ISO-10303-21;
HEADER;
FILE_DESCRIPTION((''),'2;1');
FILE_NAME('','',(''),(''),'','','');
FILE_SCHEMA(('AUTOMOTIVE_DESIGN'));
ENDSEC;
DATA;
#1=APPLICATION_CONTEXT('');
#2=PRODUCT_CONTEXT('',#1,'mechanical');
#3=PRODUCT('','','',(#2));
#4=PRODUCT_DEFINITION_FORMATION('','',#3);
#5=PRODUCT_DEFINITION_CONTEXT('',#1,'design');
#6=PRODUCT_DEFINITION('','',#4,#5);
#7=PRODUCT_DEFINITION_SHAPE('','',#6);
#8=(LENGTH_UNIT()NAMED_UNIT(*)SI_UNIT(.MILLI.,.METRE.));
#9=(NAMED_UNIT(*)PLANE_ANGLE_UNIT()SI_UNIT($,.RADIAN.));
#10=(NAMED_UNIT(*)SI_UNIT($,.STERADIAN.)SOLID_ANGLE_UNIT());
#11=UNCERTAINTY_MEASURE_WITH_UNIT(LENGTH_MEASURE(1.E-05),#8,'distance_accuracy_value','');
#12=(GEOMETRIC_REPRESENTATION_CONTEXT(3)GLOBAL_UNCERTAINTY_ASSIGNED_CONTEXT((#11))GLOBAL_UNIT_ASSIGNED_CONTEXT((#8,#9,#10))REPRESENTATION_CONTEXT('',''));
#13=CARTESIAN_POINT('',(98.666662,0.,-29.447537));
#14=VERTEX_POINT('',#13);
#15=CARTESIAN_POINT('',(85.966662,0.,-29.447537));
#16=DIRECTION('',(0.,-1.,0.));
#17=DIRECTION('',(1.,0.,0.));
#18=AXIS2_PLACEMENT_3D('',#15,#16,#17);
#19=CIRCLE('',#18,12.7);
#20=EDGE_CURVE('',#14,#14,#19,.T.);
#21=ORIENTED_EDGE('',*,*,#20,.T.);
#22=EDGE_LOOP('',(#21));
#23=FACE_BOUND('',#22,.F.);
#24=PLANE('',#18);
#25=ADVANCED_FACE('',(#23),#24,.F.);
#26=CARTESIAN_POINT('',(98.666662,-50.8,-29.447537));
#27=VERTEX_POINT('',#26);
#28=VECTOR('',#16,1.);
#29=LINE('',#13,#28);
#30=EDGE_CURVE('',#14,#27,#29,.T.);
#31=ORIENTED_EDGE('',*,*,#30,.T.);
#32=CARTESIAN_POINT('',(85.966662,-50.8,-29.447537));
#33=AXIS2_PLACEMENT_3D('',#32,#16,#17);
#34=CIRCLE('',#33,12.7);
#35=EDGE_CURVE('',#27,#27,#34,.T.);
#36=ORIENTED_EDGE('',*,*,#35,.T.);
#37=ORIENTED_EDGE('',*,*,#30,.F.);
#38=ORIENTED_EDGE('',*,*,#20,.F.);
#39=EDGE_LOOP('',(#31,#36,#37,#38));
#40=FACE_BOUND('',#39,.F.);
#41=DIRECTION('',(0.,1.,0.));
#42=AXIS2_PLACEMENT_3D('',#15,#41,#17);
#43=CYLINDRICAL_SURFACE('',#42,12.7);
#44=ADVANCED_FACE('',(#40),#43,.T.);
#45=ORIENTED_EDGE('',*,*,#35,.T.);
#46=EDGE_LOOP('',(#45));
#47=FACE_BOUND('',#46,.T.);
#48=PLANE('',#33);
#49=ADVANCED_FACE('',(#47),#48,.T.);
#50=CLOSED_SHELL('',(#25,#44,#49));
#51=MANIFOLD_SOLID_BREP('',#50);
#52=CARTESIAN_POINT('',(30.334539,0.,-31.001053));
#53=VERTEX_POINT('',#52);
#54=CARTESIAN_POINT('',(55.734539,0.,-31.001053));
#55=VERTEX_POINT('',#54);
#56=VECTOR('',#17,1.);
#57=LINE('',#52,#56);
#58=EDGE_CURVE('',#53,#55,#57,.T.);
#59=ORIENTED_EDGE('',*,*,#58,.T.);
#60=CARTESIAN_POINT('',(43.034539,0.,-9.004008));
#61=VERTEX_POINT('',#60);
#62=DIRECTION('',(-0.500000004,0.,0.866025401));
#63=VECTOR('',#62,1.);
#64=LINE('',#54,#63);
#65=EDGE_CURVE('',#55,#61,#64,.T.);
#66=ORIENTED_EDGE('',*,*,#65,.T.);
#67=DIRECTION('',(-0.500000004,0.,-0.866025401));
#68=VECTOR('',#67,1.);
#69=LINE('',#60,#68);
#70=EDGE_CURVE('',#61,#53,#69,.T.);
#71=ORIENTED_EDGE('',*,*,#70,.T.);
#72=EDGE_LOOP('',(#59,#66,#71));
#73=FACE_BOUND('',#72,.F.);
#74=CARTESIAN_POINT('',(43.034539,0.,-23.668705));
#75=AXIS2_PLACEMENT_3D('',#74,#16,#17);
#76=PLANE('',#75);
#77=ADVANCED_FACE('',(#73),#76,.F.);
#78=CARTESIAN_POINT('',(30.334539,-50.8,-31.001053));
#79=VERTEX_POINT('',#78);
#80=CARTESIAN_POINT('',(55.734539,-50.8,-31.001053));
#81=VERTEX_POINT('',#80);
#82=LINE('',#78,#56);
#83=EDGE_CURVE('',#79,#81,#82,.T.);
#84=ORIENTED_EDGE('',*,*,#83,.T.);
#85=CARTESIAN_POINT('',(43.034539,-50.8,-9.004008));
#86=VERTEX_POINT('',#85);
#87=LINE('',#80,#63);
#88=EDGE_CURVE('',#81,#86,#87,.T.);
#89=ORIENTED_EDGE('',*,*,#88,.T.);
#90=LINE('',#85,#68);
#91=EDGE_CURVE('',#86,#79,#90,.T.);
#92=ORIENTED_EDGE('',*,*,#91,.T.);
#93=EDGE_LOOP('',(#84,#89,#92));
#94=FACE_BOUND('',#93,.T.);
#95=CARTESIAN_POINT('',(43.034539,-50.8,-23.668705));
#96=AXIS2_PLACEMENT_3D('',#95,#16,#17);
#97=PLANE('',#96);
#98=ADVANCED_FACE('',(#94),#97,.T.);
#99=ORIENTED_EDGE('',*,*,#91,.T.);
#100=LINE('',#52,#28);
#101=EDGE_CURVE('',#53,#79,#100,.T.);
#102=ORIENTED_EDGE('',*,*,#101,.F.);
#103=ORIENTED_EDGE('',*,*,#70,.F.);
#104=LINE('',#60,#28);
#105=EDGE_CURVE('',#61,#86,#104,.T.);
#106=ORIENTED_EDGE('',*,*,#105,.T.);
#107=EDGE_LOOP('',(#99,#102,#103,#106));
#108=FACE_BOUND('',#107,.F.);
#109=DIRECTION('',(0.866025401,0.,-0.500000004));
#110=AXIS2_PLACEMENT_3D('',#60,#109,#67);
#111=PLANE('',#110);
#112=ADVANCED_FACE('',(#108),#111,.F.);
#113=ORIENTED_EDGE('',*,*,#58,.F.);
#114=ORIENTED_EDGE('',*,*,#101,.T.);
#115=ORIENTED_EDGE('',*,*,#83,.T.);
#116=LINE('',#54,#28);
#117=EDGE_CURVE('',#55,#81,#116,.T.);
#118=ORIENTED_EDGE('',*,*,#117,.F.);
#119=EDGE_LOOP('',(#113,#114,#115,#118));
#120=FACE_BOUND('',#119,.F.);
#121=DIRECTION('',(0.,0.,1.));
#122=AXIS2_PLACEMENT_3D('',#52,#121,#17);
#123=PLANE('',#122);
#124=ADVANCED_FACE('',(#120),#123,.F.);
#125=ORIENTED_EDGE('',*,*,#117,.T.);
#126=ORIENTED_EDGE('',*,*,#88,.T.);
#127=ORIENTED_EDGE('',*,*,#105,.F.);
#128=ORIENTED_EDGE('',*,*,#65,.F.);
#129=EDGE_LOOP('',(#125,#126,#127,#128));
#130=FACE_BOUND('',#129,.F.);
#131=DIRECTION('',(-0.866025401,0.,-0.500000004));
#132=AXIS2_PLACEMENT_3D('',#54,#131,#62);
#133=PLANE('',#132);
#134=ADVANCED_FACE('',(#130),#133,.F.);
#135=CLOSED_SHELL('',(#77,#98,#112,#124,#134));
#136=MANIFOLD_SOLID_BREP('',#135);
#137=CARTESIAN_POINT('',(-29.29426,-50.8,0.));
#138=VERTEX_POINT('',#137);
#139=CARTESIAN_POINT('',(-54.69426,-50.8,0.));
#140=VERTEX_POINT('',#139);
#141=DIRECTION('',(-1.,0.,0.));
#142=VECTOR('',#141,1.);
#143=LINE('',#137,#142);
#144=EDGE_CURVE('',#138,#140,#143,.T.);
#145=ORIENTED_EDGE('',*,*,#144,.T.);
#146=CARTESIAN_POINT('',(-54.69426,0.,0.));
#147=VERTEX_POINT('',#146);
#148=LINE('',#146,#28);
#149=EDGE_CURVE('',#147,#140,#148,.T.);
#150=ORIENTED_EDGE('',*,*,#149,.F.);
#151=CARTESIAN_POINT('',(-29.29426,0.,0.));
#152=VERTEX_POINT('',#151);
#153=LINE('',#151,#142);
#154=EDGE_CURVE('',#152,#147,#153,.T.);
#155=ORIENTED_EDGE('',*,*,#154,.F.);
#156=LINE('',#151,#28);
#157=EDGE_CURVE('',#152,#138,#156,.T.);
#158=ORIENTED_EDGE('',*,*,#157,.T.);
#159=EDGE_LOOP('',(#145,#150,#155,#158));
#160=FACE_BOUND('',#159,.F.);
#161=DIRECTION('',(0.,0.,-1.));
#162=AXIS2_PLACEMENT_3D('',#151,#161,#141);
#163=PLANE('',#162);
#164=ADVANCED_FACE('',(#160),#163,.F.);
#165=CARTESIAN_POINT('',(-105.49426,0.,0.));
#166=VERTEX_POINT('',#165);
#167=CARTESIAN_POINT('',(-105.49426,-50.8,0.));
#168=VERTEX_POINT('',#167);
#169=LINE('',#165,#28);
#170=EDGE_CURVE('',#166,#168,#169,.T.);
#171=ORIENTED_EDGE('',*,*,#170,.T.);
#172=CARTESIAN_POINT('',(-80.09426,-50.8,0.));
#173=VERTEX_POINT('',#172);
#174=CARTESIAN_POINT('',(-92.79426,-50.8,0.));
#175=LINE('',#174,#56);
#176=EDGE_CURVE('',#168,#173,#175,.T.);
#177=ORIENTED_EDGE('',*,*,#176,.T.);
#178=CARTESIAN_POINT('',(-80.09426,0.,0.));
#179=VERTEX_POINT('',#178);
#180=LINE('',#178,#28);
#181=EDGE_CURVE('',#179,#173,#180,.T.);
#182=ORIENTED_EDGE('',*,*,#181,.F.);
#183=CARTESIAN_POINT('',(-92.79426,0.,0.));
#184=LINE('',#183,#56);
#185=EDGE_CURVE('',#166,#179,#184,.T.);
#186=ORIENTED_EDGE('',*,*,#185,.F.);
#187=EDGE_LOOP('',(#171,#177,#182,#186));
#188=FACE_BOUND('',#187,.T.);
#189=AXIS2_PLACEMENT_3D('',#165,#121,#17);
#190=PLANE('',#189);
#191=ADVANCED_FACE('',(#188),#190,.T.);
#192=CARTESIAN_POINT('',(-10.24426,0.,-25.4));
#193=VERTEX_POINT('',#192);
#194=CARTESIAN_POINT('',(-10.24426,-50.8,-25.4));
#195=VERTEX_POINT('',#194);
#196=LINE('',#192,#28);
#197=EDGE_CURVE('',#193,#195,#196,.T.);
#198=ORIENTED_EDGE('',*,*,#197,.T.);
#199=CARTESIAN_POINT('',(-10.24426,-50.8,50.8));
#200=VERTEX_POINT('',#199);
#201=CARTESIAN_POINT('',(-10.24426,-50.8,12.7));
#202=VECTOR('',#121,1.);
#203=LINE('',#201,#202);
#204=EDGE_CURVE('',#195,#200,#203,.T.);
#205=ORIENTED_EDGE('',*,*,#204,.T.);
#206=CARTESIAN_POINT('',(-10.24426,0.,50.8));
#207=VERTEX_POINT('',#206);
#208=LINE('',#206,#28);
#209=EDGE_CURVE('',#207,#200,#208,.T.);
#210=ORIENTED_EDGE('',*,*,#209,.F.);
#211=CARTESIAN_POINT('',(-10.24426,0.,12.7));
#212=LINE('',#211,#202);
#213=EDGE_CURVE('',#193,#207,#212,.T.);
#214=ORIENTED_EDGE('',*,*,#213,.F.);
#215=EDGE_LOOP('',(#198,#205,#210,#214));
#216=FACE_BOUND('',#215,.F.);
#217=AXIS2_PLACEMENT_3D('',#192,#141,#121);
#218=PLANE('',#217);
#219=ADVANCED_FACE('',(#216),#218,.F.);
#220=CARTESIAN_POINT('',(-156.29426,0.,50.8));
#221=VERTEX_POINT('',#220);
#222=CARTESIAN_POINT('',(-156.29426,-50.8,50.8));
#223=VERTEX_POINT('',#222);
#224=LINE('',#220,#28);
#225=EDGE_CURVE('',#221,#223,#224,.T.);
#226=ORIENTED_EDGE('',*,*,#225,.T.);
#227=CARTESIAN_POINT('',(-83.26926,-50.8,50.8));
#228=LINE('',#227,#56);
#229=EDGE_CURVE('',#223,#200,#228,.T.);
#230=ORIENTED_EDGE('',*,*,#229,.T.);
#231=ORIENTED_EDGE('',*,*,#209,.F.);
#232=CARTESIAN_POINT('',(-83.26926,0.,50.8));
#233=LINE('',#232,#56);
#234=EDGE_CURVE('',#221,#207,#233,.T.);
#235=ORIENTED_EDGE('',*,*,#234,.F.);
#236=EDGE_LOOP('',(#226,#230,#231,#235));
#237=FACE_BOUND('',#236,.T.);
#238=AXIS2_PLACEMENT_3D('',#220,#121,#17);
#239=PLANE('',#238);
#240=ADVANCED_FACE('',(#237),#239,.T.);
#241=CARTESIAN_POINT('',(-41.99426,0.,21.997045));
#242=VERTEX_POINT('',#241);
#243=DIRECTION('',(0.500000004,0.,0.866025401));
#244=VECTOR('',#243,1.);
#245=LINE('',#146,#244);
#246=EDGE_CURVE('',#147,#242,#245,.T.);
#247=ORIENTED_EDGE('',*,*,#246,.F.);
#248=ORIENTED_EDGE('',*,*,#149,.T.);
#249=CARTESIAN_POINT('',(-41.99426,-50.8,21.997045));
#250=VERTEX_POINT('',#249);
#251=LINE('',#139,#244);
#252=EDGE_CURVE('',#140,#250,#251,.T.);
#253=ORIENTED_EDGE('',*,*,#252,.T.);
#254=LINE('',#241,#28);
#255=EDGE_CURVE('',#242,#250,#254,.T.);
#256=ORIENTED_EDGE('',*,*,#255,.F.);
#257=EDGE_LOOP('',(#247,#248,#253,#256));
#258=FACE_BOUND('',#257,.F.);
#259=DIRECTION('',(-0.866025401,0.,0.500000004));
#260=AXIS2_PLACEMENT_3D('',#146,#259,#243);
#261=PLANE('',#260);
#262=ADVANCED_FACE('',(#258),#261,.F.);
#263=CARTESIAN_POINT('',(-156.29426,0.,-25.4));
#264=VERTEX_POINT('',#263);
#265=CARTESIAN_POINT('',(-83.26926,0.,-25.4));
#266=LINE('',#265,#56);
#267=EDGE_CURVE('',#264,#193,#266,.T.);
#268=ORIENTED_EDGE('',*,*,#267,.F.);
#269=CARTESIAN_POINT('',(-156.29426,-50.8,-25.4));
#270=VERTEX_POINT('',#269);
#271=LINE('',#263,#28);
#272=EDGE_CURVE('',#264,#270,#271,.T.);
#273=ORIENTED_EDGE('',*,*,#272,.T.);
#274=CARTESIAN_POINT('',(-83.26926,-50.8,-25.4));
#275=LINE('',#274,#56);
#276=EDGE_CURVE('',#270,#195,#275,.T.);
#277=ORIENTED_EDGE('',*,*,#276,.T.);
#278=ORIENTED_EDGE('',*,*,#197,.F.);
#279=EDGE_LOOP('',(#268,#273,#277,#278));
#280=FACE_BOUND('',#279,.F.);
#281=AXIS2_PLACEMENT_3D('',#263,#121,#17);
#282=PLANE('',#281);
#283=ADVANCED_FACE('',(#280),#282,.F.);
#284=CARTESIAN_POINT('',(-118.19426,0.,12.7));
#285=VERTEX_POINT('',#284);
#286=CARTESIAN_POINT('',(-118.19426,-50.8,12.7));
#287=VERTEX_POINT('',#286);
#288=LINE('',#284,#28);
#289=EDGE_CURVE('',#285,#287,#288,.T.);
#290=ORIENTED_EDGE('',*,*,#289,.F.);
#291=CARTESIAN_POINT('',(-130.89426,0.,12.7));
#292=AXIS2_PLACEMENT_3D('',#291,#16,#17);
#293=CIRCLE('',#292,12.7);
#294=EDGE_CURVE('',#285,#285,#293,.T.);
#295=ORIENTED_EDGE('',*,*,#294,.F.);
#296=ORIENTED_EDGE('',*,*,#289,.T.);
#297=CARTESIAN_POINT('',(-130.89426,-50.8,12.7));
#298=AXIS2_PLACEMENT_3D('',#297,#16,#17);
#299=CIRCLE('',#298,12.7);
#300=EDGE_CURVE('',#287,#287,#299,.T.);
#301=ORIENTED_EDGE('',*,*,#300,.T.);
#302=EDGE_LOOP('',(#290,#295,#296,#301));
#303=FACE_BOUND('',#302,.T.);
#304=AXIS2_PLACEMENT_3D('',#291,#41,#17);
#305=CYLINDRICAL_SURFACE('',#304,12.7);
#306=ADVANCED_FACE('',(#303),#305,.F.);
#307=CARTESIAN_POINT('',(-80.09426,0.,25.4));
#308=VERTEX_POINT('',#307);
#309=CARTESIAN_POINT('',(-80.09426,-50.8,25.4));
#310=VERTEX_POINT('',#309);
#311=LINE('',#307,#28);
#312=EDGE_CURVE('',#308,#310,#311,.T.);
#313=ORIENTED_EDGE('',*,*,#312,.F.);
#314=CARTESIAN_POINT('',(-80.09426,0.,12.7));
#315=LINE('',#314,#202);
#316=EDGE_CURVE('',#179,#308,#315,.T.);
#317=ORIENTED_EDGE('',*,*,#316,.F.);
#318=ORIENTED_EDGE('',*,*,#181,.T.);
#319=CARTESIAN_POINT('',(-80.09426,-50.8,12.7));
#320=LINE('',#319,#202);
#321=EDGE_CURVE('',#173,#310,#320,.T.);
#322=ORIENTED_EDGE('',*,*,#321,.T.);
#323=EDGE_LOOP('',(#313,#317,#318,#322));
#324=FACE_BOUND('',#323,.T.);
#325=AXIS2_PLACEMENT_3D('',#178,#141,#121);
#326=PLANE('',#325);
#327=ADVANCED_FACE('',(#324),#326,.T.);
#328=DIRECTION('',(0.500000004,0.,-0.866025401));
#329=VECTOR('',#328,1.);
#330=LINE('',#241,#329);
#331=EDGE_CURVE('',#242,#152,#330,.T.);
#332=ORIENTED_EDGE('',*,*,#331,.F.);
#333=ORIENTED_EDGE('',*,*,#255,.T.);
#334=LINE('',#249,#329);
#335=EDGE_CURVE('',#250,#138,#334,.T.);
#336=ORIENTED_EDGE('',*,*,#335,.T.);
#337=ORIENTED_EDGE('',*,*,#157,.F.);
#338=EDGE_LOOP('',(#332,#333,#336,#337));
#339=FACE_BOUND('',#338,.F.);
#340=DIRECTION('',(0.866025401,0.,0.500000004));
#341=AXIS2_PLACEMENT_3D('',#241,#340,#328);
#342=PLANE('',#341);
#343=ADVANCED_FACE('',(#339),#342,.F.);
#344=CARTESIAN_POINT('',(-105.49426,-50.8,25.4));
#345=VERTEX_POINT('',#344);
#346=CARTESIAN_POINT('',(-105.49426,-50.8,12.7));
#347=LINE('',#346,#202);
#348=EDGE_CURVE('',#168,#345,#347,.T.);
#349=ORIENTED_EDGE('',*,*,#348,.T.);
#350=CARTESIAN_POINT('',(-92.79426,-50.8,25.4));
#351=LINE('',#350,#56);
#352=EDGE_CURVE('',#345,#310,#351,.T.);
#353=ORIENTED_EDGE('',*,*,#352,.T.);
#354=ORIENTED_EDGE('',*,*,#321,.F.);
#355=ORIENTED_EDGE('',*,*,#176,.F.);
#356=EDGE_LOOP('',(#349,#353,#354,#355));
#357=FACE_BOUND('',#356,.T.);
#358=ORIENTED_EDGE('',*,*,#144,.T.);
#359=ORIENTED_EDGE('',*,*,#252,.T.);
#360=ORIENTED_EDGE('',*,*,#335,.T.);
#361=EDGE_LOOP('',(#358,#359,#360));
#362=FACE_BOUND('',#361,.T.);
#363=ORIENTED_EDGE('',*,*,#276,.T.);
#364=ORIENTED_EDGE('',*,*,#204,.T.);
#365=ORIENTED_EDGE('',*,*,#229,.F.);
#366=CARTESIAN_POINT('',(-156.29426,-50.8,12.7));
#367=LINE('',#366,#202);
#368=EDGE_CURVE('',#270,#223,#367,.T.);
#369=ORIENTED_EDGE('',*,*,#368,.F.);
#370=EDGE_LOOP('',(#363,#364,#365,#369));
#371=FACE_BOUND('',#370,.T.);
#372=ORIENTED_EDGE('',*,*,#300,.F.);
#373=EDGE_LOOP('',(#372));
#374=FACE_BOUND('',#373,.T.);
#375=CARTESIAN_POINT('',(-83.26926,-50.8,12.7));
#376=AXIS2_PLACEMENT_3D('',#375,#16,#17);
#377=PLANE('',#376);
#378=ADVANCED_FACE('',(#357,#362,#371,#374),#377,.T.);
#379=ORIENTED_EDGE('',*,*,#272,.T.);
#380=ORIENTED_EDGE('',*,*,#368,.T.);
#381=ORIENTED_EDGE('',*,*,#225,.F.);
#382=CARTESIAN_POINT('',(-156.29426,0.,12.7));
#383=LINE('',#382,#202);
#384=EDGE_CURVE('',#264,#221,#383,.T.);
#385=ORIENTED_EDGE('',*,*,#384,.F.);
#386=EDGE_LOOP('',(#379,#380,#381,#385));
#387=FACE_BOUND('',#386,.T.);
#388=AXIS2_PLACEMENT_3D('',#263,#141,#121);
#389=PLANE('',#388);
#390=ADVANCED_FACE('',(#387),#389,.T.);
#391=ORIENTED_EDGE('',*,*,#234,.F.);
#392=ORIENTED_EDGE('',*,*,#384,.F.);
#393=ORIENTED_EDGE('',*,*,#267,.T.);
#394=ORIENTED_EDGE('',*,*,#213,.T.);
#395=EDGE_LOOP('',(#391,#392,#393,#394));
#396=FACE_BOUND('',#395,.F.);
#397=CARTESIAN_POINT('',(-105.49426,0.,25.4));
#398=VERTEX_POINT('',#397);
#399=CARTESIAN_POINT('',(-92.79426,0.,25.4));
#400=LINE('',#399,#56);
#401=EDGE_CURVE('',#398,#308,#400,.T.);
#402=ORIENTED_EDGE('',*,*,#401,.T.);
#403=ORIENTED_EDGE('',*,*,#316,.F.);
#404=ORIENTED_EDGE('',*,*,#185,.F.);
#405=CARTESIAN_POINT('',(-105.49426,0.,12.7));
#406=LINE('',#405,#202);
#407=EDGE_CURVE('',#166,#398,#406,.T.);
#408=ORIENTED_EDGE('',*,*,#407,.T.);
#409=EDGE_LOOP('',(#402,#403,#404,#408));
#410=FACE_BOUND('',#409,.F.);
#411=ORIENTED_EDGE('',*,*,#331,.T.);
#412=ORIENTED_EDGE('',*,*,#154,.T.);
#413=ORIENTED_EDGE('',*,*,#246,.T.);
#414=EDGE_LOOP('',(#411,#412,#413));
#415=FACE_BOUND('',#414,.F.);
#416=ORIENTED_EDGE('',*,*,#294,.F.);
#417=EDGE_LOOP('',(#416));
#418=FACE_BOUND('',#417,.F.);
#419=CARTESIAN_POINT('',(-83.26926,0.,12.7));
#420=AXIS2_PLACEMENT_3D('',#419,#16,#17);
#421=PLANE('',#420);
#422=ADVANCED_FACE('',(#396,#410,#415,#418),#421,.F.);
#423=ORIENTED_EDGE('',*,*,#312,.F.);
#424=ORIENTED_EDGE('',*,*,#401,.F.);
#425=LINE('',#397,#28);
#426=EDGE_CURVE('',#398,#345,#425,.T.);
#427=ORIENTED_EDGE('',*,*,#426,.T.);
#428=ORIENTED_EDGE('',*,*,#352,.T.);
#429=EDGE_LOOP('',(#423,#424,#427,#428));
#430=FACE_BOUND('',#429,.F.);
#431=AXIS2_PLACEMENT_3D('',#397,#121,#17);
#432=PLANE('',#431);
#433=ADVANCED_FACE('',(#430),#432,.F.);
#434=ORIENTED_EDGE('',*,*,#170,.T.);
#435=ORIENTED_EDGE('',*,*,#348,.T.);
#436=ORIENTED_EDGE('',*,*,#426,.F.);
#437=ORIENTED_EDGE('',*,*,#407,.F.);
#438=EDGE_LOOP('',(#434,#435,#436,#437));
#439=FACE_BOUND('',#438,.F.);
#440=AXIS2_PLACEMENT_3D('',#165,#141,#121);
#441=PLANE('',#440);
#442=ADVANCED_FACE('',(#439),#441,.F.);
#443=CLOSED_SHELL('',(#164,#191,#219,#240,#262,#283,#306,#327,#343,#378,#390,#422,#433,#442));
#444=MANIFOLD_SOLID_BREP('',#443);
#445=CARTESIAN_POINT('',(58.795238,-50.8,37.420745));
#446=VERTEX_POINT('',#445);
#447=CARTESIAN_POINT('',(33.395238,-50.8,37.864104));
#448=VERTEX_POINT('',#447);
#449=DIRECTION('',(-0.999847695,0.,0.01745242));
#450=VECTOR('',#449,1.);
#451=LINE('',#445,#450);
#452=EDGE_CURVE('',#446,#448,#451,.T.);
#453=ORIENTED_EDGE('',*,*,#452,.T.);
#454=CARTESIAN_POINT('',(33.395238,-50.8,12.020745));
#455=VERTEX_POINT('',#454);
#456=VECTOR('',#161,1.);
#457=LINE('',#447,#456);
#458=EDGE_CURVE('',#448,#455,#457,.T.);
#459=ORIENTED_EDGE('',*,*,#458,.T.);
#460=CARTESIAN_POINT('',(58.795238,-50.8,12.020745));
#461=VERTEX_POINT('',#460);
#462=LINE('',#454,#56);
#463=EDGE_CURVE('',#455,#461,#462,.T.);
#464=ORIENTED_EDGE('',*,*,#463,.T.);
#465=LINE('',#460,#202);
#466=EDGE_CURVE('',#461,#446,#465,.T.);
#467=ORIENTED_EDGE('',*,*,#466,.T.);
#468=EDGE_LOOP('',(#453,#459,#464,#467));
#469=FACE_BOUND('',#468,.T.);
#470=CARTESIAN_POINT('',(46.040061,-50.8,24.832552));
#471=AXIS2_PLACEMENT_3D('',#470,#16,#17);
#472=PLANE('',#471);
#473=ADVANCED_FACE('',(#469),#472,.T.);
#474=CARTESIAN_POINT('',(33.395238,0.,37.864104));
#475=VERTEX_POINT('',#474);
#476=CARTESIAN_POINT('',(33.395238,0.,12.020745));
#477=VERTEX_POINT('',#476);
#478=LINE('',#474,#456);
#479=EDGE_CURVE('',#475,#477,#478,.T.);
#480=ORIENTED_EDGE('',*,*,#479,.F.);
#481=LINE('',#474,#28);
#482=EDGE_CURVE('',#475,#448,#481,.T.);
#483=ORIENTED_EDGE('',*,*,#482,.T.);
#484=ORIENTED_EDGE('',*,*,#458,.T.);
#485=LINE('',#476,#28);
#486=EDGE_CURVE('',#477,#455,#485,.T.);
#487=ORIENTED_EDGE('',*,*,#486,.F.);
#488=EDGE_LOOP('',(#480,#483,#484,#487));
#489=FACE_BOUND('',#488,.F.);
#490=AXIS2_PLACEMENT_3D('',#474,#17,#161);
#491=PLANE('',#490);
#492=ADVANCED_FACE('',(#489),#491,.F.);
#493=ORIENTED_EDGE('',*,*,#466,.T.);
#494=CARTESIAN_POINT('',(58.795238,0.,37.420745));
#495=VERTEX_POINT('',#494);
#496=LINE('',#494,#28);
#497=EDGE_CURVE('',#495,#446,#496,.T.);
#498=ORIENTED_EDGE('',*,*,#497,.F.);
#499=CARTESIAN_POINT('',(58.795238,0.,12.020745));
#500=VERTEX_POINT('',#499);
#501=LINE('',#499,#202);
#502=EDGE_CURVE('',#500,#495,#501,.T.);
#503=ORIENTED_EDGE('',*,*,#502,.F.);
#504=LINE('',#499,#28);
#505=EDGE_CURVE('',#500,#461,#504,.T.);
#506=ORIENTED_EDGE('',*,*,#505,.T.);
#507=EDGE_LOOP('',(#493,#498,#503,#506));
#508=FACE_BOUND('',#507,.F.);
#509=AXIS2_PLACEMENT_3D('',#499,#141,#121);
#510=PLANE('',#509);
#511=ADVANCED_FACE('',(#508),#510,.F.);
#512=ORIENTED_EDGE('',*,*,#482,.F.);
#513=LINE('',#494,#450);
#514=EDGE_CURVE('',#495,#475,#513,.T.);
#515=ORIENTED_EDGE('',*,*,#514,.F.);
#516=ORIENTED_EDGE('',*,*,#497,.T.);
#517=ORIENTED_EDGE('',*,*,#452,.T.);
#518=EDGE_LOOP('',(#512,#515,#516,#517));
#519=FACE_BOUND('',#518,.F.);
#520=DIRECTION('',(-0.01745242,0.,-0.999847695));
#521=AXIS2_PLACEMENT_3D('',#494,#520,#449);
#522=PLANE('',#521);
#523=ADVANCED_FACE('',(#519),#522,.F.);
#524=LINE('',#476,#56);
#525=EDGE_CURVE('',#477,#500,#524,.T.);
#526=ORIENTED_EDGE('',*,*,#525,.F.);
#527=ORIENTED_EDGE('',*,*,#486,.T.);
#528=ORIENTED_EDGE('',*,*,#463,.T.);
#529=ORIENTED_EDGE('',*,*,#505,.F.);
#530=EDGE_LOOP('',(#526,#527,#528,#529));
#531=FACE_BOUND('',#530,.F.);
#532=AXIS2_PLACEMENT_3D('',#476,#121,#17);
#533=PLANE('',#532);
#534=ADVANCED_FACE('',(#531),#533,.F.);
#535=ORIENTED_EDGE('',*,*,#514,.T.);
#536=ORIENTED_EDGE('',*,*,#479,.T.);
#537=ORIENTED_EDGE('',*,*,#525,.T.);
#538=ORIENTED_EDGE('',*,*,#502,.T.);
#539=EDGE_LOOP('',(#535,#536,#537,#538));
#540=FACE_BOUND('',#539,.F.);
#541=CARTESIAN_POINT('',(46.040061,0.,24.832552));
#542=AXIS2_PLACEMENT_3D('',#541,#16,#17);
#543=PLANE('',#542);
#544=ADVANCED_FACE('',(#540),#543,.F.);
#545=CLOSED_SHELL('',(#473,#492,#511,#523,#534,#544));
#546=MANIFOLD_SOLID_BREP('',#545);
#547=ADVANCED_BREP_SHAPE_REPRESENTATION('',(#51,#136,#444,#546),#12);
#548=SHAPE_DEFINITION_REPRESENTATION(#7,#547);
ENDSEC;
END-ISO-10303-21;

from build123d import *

# Parameters (mm, degrees)
F0_W     = 146.05
F0_H     = 76.2
F0_R     = 12.7
F0_W_2   = 25.4
F0_H_2   = 25.4
F1_DEPTH = 50.8


with BuildPart() as f1:
    # F0 (on Front) → F1 (new body)
    with BuildSketch(Plane.XZ):
        with Locations((-83.26926, 12.7)):
            Rectangle(F0_W, F0_H)
        with Locations((-130.89426, 12.7)):
            Circle(F0_R, mode=Mode.SUBTRACT)
        with Locations((-92.79426, 12.7)):
            Rectangle(F0_W_2, F0_H_2, mode=Mode.SUBTRACT)
        Polygon((-54.69426, 0), (-41.99426, 21.997045), (-29.29426, 0), align=None, mode=Mode.SUBTRACT)
        Polygon((58.795238, 37.420745), (33.395238, 37.864104), (33.395238, 12.020745), (58.795238, 12.020745), align=None)
        Polygon((55.734539, -31.001053), (43.034539, -9.004008), (30.334539, -31.001053), align=None)
        with Locations((85.966662, -29.447537)):
            Circle(F0_R)
    extrude(amount=F1_DEPTH)


solid = f1.part
